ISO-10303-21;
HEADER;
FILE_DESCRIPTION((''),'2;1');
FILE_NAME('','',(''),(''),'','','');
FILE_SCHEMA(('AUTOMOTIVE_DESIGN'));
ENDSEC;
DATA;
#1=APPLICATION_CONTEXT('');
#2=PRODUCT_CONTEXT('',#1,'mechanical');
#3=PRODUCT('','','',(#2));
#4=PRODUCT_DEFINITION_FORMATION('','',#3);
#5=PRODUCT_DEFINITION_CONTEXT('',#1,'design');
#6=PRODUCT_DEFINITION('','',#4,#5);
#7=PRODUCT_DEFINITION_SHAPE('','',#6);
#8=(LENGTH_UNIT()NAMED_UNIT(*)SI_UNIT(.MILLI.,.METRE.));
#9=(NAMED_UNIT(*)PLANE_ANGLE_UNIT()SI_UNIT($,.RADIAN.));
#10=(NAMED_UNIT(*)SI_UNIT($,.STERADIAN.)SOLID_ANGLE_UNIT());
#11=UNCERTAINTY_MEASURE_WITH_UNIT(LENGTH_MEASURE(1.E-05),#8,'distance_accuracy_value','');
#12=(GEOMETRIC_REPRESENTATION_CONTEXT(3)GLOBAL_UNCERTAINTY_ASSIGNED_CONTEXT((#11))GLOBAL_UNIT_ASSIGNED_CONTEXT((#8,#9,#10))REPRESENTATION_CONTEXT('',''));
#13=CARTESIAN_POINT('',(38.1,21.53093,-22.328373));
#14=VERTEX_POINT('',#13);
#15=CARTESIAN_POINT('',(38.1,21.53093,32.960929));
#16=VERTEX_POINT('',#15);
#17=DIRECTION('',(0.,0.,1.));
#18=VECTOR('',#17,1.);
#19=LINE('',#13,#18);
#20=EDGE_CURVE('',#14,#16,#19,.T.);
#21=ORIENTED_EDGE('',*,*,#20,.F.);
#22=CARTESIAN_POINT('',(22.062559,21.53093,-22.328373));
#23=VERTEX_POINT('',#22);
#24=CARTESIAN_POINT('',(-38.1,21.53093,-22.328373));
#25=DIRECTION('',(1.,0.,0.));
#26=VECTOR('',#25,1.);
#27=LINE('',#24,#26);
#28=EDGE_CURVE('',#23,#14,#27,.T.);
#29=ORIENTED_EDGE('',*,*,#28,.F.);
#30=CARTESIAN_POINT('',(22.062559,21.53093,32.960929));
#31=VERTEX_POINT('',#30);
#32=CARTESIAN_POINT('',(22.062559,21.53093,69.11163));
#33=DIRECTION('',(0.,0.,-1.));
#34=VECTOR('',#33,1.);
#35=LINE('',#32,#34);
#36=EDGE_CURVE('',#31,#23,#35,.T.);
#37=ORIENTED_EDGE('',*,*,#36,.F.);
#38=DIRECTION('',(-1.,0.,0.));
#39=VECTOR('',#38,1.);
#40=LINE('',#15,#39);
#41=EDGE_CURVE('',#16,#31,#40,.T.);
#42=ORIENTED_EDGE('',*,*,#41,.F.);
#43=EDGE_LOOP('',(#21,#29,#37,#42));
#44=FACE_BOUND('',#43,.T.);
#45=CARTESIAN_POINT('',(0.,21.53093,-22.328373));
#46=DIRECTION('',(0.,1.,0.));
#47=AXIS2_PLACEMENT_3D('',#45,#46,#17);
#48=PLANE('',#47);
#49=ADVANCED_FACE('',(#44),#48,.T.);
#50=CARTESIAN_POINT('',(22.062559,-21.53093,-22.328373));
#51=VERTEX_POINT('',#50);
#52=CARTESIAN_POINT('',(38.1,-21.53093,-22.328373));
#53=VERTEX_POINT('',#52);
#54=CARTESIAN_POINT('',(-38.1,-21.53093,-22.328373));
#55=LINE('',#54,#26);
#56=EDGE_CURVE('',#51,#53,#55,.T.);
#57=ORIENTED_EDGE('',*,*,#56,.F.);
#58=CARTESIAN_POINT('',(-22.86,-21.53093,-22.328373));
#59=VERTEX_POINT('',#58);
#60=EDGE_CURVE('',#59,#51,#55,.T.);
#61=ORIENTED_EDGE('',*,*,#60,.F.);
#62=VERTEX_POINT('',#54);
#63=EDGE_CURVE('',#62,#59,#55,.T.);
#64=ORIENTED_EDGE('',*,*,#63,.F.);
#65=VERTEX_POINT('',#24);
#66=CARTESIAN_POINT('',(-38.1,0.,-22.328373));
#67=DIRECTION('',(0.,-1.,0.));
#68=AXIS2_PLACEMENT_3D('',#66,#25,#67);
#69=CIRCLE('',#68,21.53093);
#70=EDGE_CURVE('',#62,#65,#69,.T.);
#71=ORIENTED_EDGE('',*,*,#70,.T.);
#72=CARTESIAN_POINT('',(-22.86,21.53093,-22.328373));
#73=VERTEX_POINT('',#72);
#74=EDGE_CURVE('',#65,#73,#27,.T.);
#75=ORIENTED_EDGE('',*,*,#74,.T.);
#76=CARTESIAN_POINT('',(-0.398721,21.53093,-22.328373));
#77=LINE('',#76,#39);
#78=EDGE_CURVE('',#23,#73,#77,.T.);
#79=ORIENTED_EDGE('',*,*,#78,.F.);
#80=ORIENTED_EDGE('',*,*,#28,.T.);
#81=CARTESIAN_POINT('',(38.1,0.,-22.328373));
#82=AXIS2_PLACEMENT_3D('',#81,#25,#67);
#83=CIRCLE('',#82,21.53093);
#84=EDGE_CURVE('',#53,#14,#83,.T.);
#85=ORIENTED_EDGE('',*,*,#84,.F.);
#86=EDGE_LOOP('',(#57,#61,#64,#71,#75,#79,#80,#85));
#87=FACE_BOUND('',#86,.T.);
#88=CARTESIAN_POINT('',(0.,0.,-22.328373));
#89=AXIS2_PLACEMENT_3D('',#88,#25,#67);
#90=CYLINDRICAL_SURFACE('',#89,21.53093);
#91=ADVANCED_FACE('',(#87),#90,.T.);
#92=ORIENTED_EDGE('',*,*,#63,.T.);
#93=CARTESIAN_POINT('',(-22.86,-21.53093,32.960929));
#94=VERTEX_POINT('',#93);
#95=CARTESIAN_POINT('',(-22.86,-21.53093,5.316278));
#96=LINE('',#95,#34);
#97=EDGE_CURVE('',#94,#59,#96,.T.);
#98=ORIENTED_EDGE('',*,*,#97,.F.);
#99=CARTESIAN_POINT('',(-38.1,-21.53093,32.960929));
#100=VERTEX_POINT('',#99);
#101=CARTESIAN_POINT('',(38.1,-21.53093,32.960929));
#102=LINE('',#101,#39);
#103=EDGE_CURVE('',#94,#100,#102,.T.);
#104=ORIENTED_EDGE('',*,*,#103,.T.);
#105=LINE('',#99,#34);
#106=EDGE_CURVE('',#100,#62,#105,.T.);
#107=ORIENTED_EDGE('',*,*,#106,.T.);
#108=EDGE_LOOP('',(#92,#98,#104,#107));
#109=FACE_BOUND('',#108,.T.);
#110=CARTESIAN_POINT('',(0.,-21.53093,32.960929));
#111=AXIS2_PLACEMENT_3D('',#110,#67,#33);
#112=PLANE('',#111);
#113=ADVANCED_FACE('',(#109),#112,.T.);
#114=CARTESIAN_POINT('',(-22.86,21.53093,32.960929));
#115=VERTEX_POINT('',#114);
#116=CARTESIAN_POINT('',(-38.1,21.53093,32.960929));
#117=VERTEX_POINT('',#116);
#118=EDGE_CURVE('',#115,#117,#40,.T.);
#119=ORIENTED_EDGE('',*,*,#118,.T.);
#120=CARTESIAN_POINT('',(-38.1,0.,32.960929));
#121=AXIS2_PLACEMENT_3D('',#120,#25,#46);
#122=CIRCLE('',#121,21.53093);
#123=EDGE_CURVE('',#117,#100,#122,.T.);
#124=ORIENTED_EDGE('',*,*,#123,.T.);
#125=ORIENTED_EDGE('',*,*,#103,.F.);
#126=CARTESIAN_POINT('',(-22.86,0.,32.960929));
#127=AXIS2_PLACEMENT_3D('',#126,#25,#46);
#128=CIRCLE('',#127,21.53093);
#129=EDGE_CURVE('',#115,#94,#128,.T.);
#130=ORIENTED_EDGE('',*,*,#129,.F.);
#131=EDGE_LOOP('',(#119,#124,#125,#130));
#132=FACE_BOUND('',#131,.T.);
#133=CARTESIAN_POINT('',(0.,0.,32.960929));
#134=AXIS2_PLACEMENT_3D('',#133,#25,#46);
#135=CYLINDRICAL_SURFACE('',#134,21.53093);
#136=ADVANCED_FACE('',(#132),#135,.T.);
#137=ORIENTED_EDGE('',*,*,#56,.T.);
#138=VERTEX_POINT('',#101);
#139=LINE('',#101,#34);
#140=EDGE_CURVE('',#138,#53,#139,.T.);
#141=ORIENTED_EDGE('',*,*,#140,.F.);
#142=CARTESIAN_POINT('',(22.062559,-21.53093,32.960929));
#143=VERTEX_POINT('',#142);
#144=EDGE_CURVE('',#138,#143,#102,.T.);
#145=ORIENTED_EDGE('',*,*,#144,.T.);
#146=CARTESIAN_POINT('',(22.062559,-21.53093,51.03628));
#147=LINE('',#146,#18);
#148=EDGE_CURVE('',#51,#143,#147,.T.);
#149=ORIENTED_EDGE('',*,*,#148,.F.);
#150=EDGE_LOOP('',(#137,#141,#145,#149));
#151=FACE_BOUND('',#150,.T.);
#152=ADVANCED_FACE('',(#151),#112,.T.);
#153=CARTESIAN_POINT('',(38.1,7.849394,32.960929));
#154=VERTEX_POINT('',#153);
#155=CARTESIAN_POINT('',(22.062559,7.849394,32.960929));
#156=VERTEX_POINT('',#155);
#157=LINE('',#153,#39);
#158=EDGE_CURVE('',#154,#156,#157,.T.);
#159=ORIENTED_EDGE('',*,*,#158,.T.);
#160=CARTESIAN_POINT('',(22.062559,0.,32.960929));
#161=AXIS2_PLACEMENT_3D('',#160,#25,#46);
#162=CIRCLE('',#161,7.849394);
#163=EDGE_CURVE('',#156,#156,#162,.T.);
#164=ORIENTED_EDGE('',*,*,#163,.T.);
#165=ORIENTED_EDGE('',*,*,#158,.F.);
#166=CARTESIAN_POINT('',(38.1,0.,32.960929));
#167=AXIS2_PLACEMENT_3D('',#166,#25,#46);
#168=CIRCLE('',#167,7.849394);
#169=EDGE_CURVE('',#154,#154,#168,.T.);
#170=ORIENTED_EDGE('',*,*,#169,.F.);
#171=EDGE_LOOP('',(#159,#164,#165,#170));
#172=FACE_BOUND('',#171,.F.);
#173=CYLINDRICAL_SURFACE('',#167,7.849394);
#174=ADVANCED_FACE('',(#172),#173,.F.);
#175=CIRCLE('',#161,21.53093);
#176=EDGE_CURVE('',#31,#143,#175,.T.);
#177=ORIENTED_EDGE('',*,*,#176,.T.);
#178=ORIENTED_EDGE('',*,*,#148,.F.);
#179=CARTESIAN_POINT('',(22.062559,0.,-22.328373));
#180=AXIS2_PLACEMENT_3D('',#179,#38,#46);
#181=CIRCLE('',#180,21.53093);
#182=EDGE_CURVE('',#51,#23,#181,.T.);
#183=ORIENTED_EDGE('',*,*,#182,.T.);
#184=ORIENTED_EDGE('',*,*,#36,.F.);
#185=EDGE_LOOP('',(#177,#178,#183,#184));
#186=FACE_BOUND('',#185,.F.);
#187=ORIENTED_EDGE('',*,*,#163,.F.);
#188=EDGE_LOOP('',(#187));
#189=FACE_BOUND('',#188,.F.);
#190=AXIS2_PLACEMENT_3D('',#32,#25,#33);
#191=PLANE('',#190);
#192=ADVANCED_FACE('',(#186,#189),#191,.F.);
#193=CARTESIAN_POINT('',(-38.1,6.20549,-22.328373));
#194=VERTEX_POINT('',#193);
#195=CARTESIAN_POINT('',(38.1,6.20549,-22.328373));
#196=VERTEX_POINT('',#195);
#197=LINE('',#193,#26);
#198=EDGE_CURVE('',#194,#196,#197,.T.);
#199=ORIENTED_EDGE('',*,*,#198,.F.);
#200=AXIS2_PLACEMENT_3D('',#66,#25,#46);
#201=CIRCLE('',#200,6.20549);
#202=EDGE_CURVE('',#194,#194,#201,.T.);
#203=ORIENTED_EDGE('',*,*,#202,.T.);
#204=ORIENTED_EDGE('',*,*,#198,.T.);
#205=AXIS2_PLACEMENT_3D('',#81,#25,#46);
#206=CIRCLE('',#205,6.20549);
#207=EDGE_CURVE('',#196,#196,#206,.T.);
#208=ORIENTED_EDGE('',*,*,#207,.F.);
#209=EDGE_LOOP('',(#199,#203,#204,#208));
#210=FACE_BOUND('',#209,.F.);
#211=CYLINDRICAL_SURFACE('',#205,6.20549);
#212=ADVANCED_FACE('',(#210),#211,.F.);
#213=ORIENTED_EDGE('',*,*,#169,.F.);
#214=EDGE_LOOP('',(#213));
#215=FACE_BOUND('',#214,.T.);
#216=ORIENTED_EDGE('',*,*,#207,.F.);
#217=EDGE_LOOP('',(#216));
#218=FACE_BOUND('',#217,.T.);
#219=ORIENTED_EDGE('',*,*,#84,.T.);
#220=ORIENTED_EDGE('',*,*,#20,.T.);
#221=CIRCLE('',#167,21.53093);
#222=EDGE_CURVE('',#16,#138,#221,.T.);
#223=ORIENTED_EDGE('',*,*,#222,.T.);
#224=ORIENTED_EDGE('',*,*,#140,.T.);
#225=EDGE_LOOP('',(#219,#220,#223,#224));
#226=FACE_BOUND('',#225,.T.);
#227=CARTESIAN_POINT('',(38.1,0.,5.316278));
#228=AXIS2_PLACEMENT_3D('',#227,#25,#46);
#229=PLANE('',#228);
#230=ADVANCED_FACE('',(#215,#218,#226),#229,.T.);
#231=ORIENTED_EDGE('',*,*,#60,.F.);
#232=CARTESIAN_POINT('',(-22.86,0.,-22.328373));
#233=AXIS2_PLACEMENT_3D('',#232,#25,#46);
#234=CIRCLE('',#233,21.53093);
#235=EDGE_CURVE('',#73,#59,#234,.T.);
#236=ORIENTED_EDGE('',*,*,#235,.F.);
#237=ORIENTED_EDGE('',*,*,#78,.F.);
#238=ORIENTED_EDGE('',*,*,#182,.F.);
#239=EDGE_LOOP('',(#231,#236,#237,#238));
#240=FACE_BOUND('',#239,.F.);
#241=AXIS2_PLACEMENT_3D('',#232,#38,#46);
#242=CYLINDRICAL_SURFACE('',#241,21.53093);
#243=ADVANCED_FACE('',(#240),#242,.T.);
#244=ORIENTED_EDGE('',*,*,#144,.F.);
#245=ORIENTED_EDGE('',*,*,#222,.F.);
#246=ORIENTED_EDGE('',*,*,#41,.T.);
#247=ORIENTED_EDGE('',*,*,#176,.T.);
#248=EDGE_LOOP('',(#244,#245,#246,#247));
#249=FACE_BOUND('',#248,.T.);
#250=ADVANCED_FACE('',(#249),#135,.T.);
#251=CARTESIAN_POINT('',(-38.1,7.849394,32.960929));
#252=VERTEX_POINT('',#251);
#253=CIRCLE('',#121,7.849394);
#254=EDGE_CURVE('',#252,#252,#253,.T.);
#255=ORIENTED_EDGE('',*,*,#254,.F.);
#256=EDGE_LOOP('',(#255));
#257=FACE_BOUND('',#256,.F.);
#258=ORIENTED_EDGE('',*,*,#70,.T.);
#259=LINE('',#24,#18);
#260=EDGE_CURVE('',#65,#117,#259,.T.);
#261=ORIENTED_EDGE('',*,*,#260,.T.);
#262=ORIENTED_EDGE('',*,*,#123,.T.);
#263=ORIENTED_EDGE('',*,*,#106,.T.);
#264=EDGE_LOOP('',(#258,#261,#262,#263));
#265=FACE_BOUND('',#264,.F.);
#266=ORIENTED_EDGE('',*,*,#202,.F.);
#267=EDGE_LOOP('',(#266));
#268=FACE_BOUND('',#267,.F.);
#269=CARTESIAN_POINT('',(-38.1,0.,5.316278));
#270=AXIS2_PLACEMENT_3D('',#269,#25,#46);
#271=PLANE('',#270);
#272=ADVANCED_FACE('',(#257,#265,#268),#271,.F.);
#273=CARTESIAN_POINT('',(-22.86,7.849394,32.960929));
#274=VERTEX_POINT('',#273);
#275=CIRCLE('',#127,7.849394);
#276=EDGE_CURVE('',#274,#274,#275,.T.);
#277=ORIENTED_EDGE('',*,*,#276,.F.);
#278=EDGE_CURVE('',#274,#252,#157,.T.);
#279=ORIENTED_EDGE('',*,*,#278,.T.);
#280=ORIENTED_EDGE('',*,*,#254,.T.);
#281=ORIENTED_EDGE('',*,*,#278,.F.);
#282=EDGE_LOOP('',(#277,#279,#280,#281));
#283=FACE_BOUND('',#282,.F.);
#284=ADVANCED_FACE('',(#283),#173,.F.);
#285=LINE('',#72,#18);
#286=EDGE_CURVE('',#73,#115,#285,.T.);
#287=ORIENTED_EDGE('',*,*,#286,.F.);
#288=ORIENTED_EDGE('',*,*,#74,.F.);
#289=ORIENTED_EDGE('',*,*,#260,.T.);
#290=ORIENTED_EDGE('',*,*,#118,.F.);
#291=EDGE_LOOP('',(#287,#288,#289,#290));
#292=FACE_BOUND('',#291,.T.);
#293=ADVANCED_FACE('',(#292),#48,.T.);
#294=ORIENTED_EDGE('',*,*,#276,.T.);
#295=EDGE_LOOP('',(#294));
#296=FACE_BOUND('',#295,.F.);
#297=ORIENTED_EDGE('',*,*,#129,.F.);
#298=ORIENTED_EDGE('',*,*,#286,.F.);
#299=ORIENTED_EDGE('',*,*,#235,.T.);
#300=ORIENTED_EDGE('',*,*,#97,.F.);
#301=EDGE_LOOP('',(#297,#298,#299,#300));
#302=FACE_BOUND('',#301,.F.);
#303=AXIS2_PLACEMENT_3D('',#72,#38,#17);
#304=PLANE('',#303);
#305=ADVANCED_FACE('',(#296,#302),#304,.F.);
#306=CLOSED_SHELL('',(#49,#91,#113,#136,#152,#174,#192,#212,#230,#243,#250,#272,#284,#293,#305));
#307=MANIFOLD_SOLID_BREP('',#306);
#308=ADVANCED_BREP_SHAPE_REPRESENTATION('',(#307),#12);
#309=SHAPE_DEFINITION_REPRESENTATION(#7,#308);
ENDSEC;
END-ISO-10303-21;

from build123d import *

# Parameters (mm, degrees)
F1_DEPTH      = 38.1
F1_DEPTH_BACK = 38.1
F2_R          = 7.8493938986
F2_R_2        = 6.2054902318
F3_DEPTH      = 76.201
F4_W          = 44.9225585908
F4_H          = 36.150701344
F4_H_2        = 55.2893020213
F5_DEPTH      = 43.0628599057
F6_R          = 6.2054902318
F7_DEPTH      = 60.95999991


with BuildPart() as f1:
    # F0 (on Right) → F1 (new body, two sides)
    with BuildSketch(Plane.YZ) as f1_sk:
        with BuildLine():
            Line((-21.5309299529, 32.9609289765), (-21.5309299529, -22.3283730447))
            ThreePointArc((-21.5309299529, -22.3283730447), (0, -43.8593029976), (21.5309299529, -22.3283730447))
            Line((21.5309299529, -22.3283730447), (21.5309299529, 32.9609289765))
            ThreePointArc((21.5309299529, 32.9609289765), (0, 54.4918589294), (-21.5309299529, 32.9609289765))
        make_face()
    extrude(amount=F1_DEPTH)
    extrude(f1_sk.sketch, amount=-F1_DEPTH_BACK)

    # F2 (on face) → F3 (cut, through all)
    with BuildSketch(Plane.YZ.offset(38.1)):
        with Locations((0, 32.9609289765)):
            Circle(F2_R)
        with Locations((0, -22.3283730447)):
            Circle(F2_R_2)
    extrude(amount=-F3_DEPTH, mode=Mode.SUBTRACT)

    # F4 (on face) → F5 (cut, through all)
    with BuildSketch(Plane(origin=(0, 21.5309299529, 0), x_dir=(-1, 0, 0), z_dir=(0, 1, 0))):
        with Locations((0.3987206146, 51.0362796485)):
            Rectangle(F4_W, F4_H)
        with Locations((0.3987206146, 5.3162779659)):
            Rectangle(F4_W, F4_H_2)
    extrude(amount=-F5_DEPTH, mode=Mode.SUBTRACT)

    # F6 (on face) → F7 (join, through all)
    with BuildSketch(Plane.YZ.offset(-22.85999991)):
        with BuildLine():
            ThreePointArc((21.5309299529, -22.3283730447), (0, -0.7974430919), (-21.5309299529, -22.3283730447))
            ThreePointArc((-21.5309299529, -22.3283730447), (0, -43.8593029976), (21.5309299529, -22.3283730447))
        make_face()
        with Locations((0, -22.3283730447)):
            Circle(F6_R, mode=Mode.SUBTRACT)
    extrude(amount=F7_DEPTH)


solid = f1.part
